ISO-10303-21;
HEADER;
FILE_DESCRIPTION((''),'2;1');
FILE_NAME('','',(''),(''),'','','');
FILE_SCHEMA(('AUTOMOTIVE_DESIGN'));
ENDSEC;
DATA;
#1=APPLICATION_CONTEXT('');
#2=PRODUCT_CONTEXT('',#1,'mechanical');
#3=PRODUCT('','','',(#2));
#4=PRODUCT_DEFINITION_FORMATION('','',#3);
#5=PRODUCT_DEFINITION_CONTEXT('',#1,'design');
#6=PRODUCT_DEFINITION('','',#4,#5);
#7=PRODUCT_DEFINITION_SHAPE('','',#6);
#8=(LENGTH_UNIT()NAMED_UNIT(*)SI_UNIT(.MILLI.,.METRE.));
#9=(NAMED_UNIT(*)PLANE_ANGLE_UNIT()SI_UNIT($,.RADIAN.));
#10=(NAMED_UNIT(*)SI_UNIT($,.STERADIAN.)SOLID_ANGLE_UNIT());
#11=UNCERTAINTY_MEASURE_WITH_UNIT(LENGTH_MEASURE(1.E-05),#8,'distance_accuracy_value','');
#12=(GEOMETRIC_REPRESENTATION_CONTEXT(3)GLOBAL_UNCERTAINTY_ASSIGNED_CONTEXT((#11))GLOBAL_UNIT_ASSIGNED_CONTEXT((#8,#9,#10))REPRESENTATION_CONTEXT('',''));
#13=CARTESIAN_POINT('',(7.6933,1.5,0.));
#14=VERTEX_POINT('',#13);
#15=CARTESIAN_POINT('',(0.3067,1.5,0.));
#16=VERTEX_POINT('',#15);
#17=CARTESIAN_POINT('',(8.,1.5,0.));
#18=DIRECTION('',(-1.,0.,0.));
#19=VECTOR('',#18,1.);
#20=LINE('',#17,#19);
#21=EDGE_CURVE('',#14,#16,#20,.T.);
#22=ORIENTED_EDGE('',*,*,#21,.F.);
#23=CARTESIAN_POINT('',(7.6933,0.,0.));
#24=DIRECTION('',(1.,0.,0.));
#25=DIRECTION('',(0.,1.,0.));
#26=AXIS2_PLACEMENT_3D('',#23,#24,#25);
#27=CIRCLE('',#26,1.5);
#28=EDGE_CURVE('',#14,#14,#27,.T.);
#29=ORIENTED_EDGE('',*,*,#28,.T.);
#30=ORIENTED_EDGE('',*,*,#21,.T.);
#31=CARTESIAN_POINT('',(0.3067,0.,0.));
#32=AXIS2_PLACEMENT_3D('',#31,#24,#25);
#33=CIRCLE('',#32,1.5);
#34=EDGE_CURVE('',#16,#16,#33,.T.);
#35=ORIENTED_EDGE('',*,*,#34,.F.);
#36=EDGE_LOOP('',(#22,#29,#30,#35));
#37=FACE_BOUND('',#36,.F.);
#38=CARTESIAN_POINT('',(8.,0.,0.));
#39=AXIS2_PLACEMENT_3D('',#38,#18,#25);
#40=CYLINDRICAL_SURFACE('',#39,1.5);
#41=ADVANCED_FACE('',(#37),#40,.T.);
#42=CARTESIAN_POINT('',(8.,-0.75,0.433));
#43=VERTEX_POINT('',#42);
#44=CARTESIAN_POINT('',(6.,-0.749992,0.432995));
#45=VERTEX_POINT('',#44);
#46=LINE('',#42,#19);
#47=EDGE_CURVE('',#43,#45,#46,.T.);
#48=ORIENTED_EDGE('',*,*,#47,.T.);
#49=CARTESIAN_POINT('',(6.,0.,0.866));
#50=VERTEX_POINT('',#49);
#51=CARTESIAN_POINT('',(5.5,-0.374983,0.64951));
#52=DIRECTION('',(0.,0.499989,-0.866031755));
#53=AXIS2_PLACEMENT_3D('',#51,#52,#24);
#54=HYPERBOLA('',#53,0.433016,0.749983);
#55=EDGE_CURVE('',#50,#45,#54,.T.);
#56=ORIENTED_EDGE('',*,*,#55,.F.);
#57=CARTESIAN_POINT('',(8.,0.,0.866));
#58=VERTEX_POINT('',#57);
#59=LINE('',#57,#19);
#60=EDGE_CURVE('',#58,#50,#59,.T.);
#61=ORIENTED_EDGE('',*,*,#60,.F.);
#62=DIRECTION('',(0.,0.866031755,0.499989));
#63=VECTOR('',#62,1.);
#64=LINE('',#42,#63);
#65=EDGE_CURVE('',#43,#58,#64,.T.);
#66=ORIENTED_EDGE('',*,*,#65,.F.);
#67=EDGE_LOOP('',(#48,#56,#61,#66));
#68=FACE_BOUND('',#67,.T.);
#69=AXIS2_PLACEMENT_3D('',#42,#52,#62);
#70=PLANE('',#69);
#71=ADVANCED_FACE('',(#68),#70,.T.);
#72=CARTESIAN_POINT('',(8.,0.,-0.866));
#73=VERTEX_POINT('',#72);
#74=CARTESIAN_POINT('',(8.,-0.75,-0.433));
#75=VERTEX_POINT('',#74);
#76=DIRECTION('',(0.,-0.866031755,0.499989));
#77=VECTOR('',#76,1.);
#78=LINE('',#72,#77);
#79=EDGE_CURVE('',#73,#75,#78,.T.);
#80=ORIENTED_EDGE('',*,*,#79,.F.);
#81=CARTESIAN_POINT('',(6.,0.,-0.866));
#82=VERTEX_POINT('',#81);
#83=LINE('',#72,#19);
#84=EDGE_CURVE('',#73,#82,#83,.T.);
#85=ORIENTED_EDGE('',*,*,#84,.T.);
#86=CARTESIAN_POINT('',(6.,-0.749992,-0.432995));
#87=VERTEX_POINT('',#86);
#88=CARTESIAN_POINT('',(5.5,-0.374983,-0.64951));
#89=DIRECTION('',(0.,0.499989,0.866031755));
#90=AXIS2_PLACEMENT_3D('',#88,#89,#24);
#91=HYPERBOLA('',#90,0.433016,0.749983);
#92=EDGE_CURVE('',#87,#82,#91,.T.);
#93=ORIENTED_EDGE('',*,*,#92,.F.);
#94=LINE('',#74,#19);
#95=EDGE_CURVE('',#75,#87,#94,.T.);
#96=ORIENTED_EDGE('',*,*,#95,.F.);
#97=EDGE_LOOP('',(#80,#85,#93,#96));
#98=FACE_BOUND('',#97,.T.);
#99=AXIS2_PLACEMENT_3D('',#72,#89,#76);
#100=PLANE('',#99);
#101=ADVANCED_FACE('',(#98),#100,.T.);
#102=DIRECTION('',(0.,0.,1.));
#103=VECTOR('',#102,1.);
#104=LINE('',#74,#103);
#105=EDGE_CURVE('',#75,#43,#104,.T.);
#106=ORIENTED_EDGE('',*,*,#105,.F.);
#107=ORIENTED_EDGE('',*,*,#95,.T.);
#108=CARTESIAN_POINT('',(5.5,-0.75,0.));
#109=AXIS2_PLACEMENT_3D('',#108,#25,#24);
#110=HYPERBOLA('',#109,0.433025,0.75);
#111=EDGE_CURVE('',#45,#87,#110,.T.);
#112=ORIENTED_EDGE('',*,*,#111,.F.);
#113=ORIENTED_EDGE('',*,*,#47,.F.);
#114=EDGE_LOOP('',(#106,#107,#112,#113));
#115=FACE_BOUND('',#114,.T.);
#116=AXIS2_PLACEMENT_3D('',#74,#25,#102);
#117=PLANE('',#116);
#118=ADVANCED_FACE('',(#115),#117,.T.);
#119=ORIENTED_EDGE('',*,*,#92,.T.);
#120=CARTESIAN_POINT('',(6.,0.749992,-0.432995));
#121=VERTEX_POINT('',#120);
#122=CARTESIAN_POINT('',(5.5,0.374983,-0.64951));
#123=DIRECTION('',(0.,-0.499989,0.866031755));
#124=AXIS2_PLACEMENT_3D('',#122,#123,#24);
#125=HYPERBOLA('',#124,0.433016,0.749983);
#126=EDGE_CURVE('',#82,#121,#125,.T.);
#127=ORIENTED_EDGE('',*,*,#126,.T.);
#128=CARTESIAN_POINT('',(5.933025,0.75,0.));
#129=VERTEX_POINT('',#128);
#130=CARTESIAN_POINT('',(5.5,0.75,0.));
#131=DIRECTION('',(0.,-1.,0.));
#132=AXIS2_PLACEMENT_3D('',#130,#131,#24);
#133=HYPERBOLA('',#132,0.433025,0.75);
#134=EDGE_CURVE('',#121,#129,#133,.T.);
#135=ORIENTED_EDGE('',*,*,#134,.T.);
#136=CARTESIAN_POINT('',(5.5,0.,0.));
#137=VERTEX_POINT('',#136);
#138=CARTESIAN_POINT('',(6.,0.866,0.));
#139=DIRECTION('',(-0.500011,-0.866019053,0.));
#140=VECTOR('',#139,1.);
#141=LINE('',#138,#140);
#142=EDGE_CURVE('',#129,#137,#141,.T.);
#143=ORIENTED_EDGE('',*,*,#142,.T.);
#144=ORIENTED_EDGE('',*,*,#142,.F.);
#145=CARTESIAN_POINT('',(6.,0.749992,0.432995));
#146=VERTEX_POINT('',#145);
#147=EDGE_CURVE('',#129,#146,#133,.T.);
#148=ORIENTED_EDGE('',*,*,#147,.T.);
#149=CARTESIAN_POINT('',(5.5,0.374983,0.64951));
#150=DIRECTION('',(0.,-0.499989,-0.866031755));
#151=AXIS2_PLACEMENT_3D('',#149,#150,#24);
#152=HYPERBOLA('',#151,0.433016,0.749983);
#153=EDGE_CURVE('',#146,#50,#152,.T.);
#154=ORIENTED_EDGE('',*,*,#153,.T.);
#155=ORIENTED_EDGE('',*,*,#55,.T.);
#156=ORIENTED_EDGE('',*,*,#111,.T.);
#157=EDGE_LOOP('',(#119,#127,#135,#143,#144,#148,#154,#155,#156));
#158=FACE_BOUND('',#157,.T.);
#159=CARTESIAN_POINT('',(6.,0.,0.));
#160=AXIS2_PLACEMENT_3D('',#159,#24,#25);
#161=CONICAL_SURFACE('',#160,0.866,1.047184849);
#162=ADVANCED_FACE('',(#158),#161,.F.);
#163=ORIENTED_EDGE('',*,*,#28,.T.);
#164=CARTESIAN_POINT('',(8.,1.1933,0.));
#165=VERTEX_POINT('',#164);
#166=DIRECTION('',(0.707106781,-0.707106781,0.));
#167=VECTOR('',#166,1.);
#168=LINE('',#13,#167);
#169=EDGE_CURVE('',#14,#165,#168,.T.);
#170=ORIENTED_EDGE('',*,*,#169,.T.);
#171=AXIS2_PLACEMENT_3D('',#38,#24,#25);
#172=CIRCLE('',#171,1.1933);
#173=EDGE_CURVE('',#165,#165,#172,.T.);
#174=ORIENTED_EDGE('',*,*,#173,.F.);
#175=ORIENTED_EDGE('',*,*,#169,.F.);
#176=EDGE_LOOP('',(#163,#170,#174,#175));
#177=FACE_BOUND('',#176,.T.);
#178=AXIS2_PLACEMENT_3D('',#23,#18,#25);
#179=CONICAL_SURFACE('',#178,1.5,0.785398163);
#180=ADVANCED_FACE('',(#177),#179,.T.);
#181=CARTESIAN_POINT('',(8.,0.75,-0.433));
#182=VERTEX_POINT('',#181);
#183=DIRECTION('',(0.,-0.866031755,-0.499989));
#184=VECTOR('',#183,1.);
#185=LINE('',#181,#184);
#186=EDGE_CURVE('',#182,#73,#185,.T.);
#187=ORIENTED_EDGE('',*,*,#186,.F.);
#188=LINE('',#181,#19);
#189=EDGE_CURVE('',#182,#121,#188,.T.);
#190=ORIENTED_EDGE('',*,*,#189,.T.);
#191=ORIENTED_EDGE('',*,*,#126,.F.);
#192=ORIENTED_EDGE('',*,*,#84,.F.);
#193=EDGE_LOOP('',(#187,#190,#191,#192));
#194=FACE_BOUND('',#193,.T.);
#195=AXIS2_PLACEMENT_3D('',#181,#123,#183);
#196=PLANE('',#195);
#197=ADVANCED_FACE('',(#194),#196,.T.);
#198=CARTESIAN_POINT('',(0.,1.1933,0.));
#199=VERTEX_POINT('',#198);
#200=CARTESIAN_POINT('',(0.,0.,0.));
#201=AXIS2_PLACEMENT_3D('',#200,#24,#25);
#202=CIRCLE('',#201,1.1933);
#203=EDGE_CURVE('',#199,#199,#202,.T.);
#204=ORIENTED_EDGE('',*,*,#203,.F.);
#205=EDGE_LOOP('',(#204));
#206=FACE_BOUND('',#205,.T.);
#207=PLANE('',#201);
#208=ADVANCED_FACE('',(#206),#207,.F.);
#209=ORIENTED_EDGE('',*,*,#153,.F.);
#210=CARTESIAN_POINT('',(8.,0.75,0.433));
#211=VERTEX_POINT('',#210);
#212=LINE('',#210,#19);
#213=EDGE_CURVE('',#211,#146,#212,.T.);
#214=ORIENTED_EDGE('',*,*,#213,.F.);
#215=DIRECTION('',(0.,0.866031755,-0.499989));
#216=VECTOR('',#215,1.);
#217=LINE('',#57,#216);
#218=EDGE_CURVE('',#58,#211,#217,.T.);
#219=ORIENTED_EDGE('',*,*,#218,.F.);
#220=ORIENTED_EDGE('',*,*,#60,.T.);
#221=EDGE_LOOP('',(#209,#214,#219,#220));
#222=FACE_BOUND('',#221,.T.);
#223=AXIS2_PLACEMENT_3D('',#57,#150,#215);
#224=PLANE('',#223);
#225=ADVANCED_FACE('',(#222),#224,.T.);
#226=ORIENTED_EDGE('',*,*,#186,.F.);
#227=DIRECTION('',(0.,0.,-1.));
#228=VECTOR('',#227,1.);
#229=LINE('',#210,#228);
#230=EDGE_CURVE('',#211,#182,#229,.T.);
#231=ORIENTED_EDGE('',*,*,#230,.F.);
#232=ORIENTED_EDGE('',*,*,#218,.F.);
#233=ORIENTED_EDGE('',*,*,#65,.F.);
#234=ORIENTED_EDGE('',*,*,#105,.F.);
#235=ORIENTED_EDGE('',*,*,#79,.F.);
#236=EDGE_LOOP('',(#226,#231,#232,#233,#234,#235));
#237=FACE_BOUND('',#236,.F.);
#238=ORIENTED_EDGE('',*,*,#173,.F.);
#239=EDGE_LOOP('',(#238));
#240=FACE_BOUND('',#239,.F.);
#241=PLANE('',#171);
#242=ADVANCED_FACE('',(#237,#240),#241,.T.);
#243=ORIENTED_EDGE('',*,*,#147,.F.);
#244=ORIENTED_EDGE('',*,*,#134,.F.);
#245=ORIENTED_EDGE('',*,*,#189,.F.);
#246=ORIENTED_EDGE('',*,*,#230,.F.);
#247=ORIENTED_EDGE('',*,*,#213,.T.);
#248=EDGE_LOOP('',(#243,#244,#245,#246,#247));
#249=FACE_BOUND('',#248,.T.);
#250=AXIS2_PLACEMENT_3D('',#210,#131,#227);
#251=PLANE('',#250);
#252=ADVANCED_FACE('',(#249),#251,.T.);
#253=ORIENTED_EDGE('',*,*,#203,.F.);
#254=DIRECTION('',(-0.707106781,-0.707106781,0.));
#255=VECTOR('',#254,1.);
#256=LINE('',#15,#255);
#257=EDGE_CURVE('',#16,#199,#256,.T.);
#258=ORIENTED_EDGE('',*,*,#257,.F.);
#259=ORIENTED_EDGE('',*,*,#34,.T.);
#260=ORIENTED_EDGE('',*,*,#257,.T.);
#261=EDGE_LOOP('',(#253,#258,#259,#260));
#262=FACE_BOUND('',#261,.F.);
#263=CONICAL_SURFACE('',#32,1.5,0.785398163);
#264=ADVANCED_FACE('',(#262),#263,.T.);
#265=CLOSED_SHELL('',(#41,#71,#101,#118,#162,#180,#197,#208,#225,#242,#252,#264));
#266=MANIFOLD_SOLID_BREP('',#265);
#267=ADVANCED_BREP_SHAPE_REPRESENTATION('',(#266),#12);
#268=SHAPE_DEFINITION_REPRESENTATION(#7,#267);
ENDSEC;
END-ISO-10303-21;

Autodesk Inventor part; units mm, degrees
ref_plane "YZ Plane" through (0, 0, 0) normal (1, 0, 0) x (0, 1, 0)
ref_plane "XZ Plane" through (0, 0, 0) normal (0, 1, 0) x (-1, 0, 0)
sketch "Sketch1" plane through (0, 0, 0) normal (0, 0, 1) x (1, 0, 0)
  line L0 (0, 0) -> (5.5, 0)
  line L1 (8, 0.866) -> (8, 1.5)
  line L2 (8, 1.5) -> (0, 1.5)
  line L3 (8, 0.866) -> (6, 0.866)
  line L4 (6, 0.866) -> (5.5, 0)
  line L5 (0, -0.3) -> (0, 1.8) projected
  line L6 (0, 1.5) -> (0, 0)
  dimension "d0" = 2
  dimension "d1" = 60
  dimension "d2" = 3
  dimension "d3" = 1.7321
  dimension "d5" = 8
revolve "Body" add sketch "Sketch1" angle 360 about axis through (0, 0, 0) along (1, 0, 0)
chamfer "Chamfer1" distance 0.3067 angle 45 1 edges at (8, -1.5, 0) measured on face at (8, 1.2658, -0.1887)
sketch "Sketch2" plane through (8, 0, 0) normal (1, 0, 0) x (0, 0, -1)
  circle A0 centre (0, 0) radius 0.866 projected
  line L0 (-0.433, 0.75) -> (0.433, 0.75)
  line L1 (0.433, 0.75) -> (0.866, 0)
  line L2 (0.866, 0) -> (0.433, -0.75)
  line L3 (0.433, -0.75) -> (-0.433, -0.75)
  line L4 (-0.433, -0.75) -> (-0.866, 0)
  line L5 (-0.866, 0) -> (-0.433, 0.75)
extrude "Slot" add sketch "Sketch2" against normal up to next contours L1 A0 | A0 L2 | L0 A0 | A0 L3 | L5 A0 | A0 L4
thread "Thread" size "M3x0.5" class "6g" standard "ISO Metric profile" length 8
chamfer "Chamfer2" distance 0.3067 angle 45 1 edges at (0, -1.5, 0) measured on face at (2.5644, 1.4806, -0.2406)
ref_plane "Work Plane1" through (4, 0, 0) normal (0, 0.5, 0.866) x (1, 0, 0)
equation "\"d0\" = INTI"
equation "\"d2\" = NND"
equation "\"d3\" = 1.1547 * SW"
equation "\"d5\" = NLG"
equation "\"d7\" = -0.5 * GD1 + 0.5 * NND"
equation "\"d8\" = FAWI"
equation "\"d29\" = -0.5 * GD1 + 0.5 * NND"
equation "\"d11\" = NLG"
equation "\"d13\" = -0.5 * GD1 + 0.5 * NND"
equation "\"d14\" = FAWI"
equation "\"d30\" = -0.5 * GD1 + 0.5 * NND"
equation "\"NND\" = 3"
equation "\"NLG\" = 8"
equation "\"INTI\" = 2"
equation "\"FAWI\" = 45deg"
equation "\"SW\" = 1.5"
equation "\"GD1\" = THREADDIA - 1.2269 * PTC"
equation "\"FAWI1\" = 45deg"
equation "\"GUL\" = 0.61345 * PTC"
equation "\"SPD\" = 2"
equation "\"SEWI\" = 90deg"
equation "\"TOA\" = 30deg"
equation "\"THREADDIA\" = 3"
equation "\"PTC\" = 0.5"
equation "\"GAL\" = 0.61345 * PTC"
equation "\"E0\" = 1.155 * SW"
properties part number "ISO 4026 - M3 x 8" material "Stainless Steel, 440C"
